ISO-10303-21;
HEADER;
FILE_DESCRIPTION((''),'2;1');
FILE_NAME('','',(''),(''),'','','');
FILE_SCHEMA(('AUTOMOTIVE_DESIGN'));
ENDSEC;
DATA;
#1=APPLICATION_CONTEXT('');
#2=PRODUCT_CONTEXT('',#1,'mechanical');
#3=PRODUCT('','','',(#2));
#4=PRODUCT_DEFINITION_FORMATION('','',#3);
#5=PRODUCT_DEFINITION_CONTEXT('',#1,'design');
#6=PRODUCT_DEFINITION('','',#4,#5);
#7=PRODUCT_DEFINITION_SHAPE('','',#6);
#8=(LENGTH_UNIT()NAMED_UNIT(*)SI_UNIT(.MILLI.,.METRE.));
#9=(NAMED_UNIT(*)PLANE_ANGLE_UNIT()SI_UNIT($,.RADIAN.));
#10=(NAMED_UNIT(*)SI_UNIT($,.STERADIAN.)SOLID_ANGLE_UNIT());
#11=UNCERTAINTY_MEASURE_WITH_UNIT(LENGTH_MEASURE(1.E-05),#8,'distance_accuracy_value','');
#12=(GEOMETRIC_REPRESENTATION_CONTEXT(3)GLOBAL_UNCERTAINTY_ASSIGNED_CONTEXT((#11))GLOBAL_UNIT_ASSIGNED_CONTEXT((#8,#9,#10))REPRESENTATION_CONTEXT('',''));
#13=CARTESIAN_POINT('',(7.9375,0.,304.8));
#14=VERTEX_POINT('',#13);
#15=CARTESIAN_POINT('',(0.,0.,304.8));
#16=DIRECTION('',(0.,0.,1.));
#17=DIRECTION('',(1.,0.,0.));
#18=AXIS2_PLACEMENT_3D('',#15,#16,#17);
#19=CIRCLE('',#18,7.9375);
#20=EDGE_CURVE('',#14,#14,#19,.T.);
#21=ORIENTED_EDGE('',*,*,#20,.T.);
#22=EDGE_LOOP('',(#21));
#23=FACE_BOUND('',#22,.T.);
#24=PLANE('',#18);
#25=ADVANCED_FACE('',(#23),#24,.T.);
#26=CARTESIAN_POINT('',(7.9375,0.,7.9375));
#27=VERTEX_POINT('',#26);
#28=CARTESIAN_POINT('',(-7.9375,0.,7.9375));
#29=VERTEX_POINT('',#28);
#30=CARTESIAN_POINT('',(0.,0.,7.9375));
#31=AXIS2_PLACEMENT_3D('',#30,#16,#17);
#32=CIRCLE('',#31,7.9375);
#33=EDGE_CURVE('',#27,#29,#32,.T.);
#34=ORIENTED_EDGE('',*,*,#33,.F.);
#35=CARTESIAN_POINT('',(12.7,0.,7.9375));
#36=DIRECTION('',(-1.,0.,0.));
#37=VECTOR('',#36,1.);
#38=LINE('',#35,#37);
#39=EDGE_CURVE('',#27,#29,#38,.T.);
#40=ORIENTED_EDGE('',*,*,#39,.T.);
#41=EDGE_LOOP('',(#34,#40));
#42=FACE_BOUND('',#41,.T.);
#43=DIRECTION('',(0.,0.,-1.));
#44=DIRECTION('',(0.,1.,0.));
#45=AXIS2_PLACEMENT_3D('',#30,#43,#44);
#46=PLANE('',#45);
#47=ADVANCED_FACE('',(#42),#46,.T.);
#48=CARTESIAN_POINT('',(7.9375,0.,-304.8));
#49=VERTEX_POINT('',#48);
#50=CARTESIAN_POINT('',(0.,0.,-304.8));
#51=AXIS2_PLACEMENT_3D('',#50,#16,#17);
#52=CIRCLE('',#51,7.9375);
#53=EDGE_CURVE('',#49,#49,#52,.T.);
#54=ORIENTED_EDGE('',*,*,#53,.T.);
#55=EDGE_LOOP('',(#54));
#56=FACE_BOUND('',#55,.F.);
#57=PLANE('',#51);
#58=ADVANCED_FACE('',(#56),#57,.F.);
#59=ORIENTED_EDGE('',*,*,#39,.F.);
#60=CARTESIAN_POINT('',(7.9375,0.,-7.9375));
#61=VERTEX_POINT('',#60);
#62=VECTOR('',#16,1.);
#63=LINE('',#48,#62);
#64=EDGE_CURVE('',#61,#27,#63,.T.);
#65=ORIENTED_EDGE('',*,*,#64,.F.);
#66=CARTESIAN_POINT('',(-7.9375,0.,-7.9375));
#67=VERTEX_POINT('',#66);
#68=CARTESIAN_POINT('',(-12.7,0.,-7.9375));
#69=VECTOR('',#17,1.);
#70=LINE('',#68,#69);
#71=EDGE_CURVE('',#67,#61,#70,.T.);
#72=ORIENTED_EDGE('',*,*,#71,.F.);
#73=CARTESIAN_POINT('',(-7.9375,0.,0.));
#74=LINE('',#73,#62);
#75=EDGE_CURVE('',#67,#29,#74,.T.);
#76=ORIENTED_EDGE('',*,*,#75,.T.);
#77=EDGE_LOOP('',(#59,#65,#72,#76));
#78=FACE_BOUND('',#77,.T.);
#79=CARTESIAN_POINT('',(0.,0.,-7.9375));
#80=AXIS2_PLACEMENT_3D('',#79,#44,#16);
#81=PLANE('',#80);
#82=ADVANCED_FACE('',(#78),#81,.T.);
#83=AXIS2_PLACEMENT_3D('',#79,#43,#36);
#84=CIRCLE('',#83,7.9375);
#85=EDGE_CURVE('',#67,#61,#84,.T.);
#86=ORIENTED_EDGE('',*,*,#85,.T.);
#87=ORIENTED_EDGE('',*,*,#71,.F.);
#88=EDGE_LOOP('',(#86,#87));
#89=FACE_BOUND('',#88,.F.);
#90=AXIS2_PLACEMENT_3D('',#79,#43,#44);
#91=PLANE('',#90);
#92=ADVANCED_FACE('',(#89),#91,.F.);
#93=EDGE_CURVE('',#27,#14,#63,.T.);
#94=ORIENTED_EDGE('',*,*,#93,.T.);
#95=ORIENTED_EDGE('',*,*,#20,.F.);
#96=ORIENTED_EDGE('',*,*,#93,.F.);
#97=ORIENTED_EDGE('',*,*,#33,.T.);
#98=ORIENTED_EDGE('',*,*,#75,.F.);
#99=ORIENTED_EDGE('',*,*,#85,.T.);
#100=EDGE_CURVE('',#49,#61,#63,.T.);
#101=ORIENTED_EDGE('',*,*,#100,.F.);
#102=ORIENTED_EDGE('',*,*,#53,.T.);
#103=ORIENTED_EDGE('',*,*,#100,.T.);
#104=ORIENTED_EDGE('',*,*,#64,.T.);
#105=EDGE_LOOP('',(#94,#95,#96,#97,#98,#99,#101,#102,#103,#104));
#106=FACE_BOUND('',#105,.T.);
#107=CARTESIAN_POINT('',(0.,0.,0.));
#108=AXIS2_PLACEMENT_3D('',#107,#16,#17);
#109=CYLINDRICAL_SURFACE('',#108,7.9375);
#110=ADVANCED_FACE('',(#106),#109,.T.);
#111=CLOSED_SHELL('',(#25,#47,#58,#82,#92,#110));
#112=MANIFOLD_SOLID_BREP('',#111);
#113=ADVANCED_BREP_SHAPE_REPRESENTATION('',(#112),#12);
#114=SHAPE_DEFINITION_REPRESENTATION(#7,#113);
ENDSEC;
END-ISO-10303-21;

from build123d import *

# Parameters (mm, degrees)
F0_R     = 7.9375
F1_DEPTH = 304.8
F2_W     = 7.9375
F2_H     = 15.875
F3_DEPTH = 12.7


with BuildPart() as f1:
    # F0 (on Top) → F1 (new body, symmetric)
    with BuildSketch(Plane.XY):
        Circle(F0_R)
    extrude(amount=F1_DEPTH, both=True)

    # F2 (on Right) → F3 (cut, symmetric)
    with BuildSketch(Plane.YZ):
        with Locations((3.96875, 0)):
            Rectangle(F2_W, F2_H)
    extrude(amount=F3_DEPTH, both=True, mode=Mode.SUBTRACT)


solid = f1.part
